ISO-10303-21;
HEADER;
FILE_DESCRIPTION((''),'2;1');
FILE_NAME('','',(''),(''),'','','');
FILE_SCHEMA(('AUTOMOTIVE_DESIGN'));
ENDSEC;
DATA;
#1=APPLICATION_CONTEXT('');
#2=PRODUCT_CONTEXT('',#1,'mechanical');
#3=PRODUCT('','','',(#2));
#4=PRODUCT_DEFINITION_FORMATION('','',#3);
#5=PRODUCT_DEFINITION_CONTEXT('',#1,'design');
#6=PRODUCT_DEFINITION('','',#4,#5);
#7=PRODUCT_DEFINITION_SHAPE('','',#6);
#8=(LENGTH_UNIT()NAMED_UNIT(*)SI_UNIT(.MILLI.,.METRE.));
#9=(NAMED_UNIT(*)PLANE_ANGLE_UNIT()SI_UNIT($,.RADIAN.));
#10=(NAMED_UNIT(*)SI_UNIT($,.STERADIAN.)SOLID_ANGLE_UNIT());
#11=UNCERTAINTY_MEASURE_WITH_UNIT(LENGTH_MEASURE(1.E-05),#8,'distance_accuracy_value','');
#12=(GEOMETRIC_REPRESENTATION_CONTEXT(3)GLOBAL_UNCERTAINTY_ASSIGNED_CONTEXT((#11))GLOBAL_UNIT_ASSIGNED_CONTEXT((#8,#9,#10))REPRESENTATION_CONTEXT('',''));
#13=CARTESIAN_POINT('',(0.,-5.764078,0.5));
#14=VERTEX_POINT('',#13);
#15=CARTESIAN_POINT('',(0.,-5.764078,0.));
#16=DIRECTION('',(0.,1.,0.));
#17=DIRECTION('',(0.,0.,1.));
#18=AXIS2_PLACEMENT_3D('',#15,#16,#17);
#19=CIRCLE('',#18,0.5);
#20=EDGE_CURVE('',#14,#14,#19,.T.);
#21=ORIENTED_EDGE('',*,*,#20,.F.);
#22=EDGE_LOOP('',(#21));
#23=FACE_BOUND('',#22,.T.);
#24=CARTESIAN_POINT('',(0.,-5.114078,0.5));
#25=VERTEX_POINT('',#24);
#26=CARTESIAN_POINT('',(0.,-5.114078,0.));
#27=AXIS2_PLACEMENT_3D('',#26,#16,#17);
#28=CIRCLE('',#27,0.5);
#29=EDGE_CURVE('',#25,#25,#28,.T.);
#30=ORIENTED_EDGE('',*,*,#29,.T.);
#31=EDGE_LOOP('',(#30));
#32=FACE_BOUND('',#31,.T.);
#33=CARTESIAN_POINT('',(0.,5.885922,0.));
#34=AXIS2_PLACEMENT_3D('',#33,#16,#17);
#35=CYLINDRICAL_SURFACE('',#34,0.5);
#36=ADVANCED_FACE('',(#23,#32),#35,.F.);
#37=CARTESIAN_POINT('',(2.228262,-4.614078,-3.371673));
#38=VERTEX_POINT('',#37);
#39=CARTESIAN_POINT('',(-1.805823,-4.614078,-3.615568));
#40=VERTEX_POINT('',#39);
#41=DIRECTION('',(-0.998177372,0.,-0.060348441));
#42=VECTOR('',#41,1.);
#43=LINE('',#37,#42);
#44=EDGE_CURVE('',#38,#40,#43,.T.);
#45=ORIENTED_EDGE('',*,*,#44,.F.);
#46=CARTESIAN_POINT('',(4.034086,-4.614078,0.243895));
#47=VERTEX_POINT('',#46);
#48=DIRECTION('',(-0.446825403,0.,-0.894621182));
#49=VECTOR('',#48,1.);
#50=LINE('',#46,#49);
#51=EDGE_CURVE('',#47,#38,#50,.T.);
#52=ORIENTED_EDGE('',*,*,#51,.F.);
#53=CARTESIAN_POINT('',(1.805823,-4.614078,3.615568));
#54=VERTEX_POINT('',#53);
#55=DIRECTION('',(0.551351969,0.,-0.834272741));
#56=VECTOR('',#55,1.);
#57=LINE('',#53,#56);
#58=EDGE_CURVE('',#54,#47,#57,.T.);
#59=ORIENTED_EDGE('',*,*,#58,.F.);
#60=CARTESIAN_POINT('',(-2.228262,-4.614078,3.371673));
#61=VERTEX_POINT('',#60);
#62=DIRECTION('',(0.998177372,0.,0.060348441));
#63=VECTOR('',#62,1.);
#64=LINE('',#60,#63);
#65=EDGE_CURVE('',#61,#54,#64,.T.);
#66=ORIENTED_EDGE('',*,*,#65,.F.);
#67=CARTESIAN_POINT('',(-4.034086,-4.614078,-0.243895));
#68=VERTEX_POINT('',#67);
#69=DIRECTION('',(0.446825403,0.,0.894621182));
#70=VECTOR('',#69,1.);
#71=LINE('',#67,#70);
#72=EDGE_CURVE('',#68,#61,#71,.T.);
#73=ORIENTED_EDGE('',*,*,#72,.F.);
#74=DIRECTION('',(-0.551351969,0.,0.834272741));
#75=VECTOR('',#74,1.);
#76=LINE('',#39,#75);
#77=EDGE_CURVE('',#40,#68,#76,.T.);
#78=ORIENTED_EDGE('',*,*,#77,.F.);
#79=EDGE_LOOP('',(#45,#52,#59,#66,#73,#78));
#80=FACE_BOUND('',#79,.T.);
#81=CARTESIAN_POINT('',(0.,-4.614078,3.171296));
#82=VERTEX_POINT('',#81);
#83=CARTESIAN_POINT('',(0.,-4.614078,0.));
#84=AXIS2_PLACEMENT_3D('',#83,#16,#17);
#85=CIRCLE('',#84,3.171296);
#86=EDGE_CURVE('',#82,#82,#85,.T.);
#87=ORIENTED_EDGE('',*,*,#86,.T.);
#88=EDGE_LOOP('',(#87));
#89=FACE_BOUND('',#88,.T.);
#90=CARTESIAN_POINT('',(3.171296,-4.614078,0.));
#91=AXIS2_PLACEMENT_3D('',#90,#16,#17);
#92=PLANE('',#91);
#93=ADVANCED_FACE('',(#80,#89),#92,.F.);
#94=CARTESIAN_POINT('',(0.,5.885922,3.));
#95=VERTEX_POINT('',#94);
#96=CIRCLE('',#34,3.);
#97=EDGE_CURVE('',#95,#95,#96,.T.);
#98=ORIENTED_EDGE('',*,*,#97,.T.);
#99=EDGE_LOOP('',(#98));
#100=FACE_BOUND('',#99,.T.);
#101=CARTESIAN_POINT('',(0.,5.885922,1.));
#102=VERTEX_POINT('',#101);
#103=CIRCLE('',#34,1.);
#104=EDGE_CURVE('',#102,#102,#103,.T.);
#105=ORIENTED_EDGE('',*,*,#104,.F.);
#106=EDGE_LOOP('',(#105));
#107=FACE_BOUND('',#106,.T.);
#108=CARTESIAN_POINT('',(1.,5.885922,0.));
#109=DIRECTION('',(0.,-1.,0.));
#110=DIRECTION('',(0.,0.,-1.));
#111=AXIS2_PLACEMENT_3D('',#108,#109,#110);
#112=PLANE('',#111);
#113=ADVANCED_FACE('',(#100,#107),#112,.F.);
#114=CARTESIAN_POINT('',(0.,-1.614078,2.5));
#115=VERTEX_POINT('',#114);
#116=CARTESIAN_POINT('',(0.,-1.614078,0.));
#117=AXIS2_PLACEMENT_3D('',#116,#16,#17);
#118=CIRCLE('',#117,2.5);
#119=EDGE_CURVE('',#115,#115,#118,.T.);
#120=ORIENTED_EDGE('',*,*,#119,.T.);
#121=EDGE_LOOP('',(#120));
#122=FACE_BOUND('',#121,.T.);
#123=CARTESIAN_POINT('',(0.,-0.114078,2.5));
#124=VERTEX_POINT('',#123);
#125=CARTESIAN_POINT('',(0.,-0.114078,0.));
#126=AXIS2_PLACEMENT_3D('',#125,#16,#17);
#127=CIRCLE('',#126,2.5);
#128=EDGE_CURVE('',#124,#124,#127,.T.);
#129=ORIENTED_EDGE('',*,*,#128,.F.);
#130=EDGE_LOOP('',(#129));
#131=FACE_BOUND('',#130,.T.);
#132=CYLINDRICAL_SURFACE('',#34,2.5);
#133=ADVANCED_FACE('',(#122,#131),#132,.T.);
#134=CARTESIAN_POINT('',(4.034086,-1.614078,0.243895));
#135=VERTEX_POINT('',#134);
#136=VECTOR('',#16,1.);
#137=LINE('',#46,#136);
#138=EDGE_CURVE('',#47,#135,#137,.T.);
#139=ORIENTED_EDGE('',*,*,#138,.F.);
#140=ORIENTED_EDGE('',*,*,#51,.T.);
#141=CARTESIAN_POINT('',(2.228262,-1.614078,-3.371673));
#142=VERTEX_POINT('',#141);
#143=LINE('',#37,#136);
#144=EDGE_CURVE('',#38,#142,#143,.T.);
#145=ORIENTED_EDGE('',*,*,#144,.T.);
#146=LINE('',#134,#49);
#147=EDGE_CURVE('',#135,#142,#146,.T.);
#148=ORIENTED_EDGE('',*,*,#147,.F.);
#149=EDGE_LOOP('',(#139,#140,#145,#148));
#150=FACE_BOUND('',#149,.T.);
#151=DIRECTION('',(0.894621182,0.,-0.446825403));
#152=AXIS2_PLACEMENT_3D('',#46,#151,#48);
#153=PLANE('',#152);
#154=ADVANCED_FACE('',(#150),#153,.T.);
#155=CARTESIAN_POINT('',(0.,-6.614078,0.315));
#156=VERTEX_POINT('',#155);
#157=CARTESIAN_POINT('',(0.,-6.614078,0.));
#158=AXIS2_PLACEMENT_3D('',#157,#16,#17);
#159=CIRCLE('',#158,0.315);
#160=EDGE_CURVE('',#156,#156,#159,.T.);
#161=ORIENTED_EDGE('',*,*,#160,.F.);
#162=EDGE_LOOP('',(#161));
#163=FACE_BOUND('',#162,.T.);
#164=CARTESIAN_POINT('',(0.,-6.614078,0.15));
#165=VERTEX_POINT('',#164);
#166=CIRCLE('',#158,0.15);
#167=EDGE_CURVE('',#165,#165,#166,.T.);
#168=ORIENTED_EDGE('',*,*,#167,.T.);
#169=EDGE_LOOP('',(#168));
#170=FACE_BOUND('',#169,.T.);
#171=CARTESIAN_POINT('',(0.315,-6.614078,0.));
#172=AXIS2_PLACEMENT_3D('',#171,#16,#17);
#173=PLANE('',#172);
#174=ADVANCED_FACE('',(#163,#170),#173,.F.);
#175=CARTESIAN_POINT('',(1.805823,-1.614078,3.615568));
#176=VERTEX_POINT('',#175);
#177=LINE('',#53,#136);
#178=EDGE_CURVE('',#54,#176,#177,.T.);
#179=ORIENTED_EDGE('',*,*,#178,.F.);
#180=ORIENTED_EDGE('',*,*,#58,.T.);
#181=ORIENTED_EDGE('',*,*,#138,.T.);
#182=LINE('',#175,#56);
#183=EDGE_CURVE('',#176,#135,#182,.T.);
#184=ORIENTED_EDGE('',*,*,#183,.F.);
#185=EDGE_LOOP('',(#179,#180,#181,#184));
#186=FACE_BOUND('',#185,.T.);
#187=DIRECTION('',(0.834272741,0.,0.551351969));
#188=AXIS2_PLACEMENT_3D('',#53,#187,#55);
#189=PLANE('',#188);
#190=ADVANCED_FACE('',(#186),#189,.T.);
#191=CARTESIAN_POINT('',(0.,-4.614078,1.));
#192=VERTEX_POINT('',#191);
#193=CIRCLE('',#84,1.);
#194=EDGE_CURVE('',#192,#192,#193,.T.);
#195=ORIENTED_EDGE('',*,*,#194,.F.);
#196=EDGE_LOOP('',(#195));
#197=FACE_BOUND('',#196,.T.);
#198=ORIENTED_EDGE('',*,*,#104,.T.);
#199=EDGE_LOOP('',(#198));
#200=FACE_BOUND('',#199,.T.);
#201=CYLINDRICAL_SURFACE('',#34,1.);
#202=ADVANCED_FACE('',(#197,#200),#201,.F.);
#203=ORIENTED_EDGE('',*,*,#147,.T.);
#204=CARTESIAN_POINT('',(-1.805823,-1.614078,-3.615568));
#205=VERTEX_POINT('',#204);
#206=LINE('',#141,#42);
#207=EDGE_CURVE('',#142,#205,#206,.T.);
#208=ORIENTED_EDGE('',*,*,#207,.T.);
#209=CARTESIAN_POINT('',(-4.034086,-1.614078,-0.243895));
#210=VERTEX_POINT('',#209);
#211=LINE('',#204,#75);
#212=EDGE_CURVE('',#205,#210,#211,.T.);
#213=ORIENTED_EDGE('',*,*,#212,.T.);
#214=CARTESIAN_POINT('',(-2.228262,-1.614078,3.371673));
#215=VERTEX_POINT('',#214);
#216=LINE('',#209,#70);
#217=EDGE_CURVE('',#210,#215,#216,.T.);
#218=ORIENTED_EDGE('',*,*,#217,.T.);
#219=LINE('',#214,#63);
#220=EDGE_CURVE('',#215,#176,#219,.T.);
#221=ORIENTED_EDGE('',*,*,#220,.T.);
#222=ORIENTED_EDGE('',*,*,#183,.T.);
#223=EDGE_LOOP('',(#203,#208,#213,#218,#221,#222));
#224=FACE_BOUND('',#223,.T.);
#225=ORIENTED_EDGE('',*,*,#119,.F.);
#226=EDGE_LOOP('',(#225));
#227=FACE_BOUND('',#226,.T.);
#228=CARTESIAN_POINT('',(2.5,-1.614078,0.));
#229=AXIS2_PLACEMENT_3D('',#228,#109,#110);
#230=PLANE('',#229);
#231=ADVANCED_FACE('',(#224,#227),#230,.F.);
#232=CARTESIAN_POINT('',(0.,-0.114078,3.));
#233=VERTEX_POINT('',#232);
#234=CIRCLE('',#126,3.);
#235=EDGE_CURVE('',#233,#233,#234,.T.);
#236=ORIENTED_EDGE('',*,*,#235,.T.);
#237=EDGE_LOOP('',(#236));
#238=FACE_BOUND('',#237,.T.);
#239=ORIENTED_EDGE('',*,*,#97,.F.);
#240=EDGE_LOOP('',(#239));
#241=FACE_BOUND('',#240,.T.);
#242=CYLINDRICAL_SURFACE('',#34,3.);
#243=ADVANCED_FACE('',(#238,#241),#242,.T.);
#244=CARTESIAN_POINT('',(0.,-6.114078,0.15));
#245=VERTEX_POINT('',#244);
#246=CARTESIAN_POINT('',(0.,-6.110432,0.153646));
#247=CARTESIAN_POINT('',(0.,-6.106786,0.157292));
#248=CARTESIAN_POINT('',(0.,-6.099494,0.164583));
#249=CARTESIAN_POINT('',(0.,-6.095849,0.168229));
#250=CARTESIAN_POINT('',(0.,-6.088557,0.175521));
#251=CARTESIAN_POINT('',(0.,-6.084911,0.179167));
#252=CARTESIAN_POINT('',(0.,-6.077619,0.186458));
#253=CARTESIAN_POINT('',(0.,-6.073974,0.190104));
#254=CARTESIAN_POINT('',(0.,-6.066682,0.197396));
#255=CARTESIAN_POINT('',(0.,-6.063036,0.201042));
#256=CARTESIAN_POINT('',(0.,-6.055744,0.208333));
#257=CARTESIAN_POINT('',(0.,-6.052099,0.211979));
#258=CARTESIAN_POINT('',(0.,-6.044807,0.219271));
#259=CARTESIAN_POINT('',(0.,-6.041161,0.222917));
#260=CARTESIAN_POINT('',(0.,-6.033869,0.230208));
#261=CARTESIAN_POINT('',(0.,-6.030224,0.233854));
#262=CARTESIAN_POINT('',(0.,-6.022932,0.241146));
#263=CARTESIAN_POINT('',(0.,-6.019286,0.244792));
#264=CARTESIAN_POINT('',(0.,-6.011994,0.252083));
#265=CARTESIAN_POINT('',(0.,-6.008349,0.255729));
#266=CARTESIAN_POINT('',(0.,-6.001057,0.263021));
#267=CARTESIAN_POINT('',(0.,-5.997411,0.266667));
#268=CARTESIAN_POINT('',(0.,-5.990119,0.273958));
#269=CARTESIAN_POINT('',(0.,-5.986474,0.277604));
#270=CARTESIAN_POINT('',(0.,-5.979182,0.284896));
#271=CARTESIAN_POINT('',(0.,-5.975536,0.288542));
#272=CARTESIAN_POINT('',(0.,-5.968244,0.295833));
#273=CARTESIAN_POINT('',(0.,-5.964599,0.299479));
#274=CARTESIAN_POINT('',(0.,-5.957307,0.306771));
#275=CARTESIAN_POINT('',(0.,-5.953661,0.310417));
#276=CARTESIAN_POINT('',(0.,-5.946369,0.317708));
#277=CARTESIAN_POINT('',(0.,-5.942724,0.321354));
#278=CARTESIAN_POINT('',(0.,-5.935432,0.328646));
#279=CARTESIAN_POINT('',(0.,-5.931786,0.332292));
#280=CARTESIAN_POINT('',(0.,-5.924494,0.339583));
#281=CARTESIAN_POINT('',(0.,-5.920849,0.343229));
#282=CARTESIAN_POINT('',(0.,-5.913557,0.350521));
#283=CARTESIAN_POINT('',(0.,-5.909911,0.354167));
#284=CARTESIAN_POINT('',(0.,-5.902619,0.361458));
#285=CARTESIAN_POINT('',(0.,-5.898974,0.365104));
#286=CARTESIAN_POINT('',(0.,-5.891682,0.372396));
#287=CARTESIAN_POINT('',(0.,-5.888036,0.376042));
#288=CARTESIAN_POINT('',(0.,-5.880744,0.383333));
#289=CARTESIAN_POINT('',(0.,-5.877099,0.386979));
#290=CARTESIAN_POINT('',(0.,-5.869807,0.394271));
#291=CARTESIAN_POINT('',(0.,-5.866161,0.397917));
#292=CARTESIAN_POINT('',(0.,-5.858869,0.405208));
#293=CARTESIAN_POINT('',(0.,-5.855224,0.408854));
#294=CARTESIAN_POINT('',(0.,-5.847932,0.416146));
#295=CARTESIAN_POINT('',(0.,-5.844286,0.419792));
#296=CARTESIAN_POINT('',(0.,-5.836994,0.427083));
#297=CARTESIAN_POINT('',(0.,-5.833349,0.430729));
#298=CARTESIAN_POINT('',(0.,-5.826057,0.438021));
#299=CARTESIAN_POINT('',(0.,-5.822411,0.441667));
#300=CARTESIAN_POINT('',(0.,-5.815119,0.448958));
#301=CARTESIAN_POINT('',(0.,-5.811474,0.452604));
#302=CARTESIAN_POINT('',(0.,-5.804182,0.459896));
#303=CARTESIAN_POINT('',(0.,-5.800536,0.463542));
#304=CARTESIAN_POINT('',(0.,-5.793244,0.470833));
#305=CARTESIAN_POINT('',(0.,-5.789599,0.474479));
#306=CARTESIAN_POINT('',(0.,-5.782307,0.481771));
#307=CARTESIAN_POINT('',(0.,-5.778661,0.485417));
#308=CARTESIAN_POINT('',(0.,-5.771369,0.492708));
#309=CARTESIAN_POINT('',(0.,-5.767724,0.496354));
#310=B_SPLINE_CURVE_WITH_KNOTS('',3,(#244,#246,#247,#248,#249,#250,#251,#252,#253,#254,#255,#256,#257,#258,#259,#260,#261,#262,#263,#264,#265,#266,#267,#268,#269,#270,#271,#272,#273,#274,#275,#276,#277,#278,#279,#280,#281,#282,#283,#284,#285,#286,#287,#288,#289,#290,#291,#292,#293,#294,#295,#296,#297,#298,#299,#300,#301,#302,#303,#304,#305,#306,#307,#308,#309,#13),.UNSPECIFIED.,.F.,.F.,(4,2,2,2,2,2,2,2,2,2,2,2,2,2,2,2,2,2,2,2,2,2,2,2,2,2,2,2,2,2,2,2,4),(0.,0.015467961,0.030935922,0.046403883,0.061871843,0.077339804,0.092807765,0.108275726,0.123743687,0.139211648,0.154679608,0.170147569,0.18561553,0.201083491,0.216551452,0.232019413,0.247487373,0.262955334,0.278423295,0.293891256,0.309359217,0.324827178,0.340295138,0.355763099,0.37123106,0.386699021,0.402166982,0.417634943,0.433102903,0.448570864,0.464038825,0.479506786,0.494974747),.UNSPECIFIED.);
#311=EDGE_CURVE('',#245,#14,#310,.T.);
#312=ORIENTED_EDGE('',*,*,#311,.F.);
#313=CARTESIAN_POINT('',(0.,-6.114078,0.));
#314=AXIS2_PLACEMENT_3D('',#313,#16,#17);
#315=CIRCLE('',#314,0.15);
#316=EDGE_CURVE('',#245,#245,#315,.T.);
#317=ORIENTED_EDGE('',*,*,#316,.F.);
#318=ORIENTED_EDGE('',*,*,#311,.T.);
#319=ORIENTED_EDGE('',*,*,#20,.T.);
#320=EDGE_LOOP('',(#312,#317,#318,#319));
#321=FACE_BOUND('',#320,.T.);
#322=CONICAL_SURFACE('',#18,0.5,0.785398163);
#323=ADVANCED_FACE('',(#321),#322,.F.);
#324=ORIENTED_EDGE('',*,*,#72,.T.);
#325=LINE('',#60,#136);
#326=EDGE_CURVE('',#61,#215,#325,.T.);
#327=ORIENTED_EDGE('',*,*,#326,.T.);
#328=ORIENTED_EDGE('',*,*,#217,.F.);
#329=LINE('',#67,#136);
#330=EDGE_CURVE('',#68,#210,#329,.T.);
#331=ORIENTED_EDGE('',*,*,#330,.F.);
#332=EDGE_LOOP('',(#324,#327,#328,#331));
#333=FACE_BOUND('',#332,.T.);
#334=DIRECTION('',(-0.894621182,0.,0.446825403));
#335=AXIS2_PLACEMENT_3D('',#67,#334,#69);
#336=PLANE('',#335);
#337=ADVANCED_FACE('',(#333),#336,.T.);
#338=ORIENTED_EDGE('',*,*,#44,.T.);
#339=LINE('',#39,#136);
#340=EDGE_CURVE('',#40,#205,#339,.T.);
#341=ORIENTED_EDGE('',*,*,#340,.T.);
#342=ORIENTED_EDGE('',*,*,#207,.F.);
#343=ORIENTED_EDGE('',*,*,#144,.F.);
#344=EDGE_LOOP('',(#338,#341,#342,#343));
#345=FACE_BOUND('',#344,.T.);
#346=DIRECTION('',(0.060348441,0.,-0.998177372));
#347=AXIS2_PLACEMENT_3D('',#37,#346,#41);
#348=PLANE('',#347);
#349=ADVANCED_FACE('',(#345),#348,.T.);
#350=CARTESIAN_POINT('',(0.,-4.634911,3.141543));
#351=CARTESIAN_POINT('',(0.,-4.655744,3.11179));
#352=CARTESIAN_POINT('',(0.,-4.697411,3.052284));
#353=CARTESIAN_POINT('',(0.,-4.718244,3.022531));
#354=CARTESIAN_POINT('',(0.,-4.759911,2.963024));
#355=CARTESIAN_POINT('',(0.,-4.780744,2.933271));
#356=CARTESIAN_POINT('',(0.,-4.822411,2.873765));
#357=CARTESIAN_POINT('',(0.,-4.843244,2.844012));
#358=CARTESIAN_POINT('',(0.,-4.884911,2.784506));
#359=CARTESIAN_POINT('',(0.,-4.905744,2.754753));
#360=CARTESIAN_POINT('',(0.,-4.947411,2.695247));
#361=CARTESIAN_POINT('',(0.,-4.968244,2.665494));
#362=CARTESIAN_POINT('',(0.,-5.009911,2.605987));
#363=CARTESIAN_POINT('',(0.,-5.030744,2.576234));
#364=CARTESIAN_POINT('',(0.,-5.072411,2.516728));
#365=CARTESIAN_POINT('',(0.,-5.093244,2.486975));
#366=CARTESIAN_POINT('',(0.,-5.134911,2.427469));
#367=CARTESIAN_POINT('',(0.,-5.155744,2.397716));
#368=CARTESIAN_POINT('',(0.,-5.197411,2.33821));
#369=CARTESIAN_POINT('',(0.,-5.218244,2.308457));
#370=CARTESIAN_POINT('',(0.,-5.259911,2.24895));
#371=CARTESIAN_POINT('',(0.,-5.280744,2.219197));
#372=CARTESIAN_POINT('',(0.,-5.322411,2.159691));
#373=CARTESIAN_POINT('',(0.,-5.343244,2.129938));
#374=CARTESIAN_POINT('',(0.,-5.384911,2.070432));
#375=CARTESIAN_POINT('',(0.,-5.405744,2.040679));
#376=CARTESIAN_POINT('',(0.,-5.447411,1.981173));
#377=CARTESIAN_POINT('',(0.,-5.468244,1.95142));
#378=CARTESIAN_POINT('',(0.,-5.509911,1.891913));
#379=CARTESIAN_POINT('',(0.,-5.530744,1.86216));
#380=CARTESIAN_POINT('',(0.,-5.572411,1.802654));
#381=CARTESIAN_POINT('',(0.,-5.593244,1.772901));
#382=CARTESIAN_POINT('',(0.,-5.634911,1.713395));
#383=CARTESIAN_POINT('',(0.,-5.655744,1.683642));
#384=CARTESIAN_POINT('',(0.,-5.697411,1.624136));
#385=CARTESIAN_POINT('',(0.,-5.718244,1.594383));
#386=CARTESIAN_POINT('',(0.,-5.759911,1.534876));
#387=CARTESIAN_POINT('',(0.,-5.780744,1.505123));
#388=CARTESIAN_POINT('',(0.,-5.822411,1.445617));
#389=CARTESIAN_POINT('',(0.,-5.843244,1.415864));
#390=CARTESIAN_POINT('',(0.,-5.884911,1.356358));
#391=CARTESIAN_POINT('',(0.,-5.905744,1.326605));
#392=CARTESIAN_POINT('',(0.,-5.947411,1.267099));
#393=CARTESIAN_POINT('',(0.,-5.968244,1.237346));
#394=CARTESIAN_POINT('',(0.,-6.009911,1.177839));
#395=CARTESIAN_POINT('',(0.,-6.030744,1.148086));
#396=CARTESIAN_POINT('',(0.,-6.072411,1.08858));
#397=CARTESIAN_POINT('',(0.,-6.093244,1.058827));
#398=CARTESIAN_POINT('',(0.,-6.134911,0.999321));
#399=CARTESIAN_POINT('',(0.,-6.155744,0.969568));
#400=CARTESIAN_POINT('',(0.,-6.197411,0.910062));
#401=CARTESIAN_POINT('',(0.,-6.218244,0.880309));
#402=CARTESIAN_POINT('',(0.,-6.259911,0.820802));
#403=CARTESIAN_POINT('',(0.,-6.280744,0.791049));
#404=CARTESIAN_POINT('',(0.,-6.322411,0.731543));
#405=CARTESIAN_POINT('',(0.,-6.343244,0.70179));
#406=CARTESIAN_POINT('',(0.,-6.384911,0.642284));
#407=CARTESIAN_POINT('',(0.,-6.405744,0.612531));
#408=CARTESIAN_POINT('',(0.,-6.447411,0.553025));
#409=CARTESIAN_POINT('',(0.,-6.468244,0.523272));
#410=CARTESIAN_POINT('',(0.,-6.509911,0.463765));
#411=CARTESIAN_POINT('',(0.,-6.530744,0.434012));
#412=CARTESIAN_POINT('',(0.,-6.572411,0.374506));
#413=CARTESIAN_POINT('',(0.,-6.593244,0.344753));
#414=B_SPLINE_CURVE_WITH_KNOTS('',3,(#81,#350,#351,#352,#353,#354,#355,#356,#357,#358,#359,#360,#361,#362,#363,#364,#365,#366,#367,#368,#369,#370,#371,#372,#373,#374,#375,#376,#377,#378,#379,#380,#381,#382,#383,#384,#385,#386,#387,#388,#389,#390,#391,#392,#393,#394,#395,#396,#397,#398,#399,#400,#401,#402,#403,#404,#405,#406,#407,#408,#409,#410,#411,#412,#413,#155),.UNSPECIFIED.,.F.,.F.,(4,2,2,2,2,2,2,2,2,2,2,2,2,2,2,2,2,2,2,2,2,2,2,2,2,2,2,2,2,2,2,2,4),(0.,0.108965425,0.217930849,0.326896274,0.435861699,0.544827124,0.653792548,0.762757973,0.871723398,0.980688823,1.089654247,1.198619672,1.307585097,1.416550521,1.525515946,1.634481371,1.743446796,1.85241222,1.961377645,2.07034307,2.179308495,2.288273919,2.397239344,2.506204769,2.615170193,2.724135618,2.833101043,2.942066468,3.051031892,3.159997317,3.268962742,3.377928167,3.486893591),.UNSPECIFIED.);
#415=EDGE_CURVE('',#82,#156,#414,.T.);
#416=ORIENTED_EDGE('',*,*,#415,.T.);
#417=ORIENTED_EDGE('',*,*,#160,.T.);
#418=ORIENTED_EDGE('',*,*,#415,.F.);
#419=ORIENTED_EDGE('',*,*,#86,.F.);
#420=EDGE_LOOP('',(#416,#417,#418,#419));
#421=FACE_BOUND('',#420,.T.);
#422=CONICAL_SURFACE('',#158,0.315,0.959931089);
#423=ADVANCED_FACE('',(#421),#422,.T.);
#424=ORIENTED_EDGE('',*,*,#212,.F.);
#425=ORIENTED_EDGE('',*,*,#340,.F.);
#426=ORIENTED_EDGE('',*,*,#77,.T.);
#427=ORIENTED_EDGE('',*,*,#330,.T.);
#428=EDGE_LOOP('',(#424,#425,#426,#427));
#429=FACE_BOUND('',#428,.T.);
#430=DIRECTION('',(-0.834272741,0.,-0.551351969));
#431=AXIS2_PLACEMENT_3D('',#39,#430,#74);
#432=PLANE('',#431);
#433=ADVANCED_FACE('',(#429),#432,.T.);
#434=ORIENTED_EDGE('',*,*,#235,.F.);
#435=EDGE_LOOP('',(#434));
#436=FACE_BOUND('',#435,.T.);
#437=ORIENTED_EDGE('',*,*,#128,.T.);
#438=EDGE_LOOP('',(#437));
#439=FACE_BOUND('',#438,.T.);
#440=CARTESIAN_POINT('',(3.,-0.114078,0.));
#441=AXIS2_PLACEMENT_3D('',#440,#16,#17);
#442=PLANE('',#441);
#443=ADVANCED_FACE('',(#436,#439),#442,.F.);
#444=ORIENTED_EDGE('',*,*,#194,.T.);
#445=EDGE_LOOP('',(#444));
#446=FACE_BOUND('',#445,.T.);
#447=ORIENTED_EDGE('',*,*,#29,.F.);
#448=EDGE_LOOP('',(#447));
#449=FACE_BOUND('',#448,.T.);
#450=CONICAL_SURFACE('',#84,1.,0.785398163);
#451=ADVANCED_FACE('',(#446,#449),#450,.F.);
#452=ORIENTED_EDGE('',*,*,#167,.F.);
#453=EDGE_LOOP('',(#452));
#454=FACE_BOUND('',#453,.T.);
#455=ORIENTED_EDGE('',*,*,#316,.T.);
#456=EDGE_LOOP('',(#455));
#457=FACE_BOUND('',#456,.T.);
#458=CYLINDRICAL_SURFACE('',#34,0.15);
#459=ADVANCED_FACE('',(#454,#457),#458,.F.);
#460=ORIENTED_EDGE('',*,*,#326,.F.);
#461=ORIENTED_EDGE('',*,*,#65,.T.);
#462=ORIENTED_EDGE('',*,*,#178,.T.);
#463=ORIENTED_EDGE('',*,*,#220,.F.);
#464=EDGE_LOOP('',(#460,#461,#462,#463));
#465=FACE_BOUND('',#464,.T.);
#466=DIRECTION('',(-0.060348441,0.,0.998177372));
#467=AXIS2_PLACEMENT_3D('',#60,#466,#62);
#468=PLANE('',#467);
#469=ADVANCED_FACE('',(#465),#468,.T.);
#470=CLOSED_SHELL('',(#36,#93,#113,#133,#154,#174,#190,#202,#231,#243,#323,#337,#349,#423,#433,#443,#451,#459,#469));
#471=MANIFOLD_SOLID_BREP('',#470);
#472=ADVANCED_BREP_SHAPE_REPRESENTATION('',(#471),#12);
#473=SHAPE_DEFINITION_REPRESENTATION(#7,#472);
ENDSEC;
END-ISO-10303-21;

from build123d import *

# Parameters (mm, degrees)
P_IDAT_VYSUNUT_M1_DEPTH  = 3
SKICA3_R                 = 1
ODEBRAT_VYSUNUT_M1_DEPTH = 3


with BuildPart() as part:
    # Skica1 → Rotovat1 (revolve)
    with BuildSketch(Plane.XY, mode=Mode.PRIVATE) as rotovat1_sk:
        Polygon((1, 5.88592233), (3, 5.88592233), (3, -0.11407767), (2.5, -0.11407767), (2.5, -1.61407767), (3.5, -1.61407767), (3.5, -4.61407767), (3.171296013, -4.61407767), (0.315, -6.61407767), (0.15, -6.61407767), (0.15, -6.11407767), (0.5, -5.76407767), (0.5, -5.11407767), (1, -4.61407767), align=None)
    revolve(rotovat1_sk.sketch.rotate(Axis((0, 5.88592233, 0), (0, -1, 0)), 90), axis=Axis((0, 5.88592233, 0), (0, -1, 0)))

    # Skica2 → Přidat vysunutím1 (add)
    with BuildSketch(Plane(origin=(0, -1.61407767, 0), x_dir=(1, 0, 0), z_dir=(0, 1, 0))):
        Polygon((-4.03408582, 0.243895321), (-2.228262454, -3.371673141), (1.805823366, -3.615568462), (4.03408582, -0.243895321), (2.228262454, 3.371673141), (-1.805823366, 3.615568462), align=None)
    extrude(amount=-P_IDAT_VYSUNUT_M1_DEPTH)

    # Skica3 → Odebrat vysunutím1 (cut)
    with BuildSketch(Plane(origin=(0, -1.61407767, 0), x_dir=(1, 0, 0), z_dir=(0, 1, 0))):
        with Locations(Location((0, 0, 0), (0, 0, 270))):
            Circle(SKICA3_R)
    extrude(amount=-ODEBRAT_VYSUNUT_M1_DEPTH, mode=Mode.SUBTRACT)


solid = part.part
